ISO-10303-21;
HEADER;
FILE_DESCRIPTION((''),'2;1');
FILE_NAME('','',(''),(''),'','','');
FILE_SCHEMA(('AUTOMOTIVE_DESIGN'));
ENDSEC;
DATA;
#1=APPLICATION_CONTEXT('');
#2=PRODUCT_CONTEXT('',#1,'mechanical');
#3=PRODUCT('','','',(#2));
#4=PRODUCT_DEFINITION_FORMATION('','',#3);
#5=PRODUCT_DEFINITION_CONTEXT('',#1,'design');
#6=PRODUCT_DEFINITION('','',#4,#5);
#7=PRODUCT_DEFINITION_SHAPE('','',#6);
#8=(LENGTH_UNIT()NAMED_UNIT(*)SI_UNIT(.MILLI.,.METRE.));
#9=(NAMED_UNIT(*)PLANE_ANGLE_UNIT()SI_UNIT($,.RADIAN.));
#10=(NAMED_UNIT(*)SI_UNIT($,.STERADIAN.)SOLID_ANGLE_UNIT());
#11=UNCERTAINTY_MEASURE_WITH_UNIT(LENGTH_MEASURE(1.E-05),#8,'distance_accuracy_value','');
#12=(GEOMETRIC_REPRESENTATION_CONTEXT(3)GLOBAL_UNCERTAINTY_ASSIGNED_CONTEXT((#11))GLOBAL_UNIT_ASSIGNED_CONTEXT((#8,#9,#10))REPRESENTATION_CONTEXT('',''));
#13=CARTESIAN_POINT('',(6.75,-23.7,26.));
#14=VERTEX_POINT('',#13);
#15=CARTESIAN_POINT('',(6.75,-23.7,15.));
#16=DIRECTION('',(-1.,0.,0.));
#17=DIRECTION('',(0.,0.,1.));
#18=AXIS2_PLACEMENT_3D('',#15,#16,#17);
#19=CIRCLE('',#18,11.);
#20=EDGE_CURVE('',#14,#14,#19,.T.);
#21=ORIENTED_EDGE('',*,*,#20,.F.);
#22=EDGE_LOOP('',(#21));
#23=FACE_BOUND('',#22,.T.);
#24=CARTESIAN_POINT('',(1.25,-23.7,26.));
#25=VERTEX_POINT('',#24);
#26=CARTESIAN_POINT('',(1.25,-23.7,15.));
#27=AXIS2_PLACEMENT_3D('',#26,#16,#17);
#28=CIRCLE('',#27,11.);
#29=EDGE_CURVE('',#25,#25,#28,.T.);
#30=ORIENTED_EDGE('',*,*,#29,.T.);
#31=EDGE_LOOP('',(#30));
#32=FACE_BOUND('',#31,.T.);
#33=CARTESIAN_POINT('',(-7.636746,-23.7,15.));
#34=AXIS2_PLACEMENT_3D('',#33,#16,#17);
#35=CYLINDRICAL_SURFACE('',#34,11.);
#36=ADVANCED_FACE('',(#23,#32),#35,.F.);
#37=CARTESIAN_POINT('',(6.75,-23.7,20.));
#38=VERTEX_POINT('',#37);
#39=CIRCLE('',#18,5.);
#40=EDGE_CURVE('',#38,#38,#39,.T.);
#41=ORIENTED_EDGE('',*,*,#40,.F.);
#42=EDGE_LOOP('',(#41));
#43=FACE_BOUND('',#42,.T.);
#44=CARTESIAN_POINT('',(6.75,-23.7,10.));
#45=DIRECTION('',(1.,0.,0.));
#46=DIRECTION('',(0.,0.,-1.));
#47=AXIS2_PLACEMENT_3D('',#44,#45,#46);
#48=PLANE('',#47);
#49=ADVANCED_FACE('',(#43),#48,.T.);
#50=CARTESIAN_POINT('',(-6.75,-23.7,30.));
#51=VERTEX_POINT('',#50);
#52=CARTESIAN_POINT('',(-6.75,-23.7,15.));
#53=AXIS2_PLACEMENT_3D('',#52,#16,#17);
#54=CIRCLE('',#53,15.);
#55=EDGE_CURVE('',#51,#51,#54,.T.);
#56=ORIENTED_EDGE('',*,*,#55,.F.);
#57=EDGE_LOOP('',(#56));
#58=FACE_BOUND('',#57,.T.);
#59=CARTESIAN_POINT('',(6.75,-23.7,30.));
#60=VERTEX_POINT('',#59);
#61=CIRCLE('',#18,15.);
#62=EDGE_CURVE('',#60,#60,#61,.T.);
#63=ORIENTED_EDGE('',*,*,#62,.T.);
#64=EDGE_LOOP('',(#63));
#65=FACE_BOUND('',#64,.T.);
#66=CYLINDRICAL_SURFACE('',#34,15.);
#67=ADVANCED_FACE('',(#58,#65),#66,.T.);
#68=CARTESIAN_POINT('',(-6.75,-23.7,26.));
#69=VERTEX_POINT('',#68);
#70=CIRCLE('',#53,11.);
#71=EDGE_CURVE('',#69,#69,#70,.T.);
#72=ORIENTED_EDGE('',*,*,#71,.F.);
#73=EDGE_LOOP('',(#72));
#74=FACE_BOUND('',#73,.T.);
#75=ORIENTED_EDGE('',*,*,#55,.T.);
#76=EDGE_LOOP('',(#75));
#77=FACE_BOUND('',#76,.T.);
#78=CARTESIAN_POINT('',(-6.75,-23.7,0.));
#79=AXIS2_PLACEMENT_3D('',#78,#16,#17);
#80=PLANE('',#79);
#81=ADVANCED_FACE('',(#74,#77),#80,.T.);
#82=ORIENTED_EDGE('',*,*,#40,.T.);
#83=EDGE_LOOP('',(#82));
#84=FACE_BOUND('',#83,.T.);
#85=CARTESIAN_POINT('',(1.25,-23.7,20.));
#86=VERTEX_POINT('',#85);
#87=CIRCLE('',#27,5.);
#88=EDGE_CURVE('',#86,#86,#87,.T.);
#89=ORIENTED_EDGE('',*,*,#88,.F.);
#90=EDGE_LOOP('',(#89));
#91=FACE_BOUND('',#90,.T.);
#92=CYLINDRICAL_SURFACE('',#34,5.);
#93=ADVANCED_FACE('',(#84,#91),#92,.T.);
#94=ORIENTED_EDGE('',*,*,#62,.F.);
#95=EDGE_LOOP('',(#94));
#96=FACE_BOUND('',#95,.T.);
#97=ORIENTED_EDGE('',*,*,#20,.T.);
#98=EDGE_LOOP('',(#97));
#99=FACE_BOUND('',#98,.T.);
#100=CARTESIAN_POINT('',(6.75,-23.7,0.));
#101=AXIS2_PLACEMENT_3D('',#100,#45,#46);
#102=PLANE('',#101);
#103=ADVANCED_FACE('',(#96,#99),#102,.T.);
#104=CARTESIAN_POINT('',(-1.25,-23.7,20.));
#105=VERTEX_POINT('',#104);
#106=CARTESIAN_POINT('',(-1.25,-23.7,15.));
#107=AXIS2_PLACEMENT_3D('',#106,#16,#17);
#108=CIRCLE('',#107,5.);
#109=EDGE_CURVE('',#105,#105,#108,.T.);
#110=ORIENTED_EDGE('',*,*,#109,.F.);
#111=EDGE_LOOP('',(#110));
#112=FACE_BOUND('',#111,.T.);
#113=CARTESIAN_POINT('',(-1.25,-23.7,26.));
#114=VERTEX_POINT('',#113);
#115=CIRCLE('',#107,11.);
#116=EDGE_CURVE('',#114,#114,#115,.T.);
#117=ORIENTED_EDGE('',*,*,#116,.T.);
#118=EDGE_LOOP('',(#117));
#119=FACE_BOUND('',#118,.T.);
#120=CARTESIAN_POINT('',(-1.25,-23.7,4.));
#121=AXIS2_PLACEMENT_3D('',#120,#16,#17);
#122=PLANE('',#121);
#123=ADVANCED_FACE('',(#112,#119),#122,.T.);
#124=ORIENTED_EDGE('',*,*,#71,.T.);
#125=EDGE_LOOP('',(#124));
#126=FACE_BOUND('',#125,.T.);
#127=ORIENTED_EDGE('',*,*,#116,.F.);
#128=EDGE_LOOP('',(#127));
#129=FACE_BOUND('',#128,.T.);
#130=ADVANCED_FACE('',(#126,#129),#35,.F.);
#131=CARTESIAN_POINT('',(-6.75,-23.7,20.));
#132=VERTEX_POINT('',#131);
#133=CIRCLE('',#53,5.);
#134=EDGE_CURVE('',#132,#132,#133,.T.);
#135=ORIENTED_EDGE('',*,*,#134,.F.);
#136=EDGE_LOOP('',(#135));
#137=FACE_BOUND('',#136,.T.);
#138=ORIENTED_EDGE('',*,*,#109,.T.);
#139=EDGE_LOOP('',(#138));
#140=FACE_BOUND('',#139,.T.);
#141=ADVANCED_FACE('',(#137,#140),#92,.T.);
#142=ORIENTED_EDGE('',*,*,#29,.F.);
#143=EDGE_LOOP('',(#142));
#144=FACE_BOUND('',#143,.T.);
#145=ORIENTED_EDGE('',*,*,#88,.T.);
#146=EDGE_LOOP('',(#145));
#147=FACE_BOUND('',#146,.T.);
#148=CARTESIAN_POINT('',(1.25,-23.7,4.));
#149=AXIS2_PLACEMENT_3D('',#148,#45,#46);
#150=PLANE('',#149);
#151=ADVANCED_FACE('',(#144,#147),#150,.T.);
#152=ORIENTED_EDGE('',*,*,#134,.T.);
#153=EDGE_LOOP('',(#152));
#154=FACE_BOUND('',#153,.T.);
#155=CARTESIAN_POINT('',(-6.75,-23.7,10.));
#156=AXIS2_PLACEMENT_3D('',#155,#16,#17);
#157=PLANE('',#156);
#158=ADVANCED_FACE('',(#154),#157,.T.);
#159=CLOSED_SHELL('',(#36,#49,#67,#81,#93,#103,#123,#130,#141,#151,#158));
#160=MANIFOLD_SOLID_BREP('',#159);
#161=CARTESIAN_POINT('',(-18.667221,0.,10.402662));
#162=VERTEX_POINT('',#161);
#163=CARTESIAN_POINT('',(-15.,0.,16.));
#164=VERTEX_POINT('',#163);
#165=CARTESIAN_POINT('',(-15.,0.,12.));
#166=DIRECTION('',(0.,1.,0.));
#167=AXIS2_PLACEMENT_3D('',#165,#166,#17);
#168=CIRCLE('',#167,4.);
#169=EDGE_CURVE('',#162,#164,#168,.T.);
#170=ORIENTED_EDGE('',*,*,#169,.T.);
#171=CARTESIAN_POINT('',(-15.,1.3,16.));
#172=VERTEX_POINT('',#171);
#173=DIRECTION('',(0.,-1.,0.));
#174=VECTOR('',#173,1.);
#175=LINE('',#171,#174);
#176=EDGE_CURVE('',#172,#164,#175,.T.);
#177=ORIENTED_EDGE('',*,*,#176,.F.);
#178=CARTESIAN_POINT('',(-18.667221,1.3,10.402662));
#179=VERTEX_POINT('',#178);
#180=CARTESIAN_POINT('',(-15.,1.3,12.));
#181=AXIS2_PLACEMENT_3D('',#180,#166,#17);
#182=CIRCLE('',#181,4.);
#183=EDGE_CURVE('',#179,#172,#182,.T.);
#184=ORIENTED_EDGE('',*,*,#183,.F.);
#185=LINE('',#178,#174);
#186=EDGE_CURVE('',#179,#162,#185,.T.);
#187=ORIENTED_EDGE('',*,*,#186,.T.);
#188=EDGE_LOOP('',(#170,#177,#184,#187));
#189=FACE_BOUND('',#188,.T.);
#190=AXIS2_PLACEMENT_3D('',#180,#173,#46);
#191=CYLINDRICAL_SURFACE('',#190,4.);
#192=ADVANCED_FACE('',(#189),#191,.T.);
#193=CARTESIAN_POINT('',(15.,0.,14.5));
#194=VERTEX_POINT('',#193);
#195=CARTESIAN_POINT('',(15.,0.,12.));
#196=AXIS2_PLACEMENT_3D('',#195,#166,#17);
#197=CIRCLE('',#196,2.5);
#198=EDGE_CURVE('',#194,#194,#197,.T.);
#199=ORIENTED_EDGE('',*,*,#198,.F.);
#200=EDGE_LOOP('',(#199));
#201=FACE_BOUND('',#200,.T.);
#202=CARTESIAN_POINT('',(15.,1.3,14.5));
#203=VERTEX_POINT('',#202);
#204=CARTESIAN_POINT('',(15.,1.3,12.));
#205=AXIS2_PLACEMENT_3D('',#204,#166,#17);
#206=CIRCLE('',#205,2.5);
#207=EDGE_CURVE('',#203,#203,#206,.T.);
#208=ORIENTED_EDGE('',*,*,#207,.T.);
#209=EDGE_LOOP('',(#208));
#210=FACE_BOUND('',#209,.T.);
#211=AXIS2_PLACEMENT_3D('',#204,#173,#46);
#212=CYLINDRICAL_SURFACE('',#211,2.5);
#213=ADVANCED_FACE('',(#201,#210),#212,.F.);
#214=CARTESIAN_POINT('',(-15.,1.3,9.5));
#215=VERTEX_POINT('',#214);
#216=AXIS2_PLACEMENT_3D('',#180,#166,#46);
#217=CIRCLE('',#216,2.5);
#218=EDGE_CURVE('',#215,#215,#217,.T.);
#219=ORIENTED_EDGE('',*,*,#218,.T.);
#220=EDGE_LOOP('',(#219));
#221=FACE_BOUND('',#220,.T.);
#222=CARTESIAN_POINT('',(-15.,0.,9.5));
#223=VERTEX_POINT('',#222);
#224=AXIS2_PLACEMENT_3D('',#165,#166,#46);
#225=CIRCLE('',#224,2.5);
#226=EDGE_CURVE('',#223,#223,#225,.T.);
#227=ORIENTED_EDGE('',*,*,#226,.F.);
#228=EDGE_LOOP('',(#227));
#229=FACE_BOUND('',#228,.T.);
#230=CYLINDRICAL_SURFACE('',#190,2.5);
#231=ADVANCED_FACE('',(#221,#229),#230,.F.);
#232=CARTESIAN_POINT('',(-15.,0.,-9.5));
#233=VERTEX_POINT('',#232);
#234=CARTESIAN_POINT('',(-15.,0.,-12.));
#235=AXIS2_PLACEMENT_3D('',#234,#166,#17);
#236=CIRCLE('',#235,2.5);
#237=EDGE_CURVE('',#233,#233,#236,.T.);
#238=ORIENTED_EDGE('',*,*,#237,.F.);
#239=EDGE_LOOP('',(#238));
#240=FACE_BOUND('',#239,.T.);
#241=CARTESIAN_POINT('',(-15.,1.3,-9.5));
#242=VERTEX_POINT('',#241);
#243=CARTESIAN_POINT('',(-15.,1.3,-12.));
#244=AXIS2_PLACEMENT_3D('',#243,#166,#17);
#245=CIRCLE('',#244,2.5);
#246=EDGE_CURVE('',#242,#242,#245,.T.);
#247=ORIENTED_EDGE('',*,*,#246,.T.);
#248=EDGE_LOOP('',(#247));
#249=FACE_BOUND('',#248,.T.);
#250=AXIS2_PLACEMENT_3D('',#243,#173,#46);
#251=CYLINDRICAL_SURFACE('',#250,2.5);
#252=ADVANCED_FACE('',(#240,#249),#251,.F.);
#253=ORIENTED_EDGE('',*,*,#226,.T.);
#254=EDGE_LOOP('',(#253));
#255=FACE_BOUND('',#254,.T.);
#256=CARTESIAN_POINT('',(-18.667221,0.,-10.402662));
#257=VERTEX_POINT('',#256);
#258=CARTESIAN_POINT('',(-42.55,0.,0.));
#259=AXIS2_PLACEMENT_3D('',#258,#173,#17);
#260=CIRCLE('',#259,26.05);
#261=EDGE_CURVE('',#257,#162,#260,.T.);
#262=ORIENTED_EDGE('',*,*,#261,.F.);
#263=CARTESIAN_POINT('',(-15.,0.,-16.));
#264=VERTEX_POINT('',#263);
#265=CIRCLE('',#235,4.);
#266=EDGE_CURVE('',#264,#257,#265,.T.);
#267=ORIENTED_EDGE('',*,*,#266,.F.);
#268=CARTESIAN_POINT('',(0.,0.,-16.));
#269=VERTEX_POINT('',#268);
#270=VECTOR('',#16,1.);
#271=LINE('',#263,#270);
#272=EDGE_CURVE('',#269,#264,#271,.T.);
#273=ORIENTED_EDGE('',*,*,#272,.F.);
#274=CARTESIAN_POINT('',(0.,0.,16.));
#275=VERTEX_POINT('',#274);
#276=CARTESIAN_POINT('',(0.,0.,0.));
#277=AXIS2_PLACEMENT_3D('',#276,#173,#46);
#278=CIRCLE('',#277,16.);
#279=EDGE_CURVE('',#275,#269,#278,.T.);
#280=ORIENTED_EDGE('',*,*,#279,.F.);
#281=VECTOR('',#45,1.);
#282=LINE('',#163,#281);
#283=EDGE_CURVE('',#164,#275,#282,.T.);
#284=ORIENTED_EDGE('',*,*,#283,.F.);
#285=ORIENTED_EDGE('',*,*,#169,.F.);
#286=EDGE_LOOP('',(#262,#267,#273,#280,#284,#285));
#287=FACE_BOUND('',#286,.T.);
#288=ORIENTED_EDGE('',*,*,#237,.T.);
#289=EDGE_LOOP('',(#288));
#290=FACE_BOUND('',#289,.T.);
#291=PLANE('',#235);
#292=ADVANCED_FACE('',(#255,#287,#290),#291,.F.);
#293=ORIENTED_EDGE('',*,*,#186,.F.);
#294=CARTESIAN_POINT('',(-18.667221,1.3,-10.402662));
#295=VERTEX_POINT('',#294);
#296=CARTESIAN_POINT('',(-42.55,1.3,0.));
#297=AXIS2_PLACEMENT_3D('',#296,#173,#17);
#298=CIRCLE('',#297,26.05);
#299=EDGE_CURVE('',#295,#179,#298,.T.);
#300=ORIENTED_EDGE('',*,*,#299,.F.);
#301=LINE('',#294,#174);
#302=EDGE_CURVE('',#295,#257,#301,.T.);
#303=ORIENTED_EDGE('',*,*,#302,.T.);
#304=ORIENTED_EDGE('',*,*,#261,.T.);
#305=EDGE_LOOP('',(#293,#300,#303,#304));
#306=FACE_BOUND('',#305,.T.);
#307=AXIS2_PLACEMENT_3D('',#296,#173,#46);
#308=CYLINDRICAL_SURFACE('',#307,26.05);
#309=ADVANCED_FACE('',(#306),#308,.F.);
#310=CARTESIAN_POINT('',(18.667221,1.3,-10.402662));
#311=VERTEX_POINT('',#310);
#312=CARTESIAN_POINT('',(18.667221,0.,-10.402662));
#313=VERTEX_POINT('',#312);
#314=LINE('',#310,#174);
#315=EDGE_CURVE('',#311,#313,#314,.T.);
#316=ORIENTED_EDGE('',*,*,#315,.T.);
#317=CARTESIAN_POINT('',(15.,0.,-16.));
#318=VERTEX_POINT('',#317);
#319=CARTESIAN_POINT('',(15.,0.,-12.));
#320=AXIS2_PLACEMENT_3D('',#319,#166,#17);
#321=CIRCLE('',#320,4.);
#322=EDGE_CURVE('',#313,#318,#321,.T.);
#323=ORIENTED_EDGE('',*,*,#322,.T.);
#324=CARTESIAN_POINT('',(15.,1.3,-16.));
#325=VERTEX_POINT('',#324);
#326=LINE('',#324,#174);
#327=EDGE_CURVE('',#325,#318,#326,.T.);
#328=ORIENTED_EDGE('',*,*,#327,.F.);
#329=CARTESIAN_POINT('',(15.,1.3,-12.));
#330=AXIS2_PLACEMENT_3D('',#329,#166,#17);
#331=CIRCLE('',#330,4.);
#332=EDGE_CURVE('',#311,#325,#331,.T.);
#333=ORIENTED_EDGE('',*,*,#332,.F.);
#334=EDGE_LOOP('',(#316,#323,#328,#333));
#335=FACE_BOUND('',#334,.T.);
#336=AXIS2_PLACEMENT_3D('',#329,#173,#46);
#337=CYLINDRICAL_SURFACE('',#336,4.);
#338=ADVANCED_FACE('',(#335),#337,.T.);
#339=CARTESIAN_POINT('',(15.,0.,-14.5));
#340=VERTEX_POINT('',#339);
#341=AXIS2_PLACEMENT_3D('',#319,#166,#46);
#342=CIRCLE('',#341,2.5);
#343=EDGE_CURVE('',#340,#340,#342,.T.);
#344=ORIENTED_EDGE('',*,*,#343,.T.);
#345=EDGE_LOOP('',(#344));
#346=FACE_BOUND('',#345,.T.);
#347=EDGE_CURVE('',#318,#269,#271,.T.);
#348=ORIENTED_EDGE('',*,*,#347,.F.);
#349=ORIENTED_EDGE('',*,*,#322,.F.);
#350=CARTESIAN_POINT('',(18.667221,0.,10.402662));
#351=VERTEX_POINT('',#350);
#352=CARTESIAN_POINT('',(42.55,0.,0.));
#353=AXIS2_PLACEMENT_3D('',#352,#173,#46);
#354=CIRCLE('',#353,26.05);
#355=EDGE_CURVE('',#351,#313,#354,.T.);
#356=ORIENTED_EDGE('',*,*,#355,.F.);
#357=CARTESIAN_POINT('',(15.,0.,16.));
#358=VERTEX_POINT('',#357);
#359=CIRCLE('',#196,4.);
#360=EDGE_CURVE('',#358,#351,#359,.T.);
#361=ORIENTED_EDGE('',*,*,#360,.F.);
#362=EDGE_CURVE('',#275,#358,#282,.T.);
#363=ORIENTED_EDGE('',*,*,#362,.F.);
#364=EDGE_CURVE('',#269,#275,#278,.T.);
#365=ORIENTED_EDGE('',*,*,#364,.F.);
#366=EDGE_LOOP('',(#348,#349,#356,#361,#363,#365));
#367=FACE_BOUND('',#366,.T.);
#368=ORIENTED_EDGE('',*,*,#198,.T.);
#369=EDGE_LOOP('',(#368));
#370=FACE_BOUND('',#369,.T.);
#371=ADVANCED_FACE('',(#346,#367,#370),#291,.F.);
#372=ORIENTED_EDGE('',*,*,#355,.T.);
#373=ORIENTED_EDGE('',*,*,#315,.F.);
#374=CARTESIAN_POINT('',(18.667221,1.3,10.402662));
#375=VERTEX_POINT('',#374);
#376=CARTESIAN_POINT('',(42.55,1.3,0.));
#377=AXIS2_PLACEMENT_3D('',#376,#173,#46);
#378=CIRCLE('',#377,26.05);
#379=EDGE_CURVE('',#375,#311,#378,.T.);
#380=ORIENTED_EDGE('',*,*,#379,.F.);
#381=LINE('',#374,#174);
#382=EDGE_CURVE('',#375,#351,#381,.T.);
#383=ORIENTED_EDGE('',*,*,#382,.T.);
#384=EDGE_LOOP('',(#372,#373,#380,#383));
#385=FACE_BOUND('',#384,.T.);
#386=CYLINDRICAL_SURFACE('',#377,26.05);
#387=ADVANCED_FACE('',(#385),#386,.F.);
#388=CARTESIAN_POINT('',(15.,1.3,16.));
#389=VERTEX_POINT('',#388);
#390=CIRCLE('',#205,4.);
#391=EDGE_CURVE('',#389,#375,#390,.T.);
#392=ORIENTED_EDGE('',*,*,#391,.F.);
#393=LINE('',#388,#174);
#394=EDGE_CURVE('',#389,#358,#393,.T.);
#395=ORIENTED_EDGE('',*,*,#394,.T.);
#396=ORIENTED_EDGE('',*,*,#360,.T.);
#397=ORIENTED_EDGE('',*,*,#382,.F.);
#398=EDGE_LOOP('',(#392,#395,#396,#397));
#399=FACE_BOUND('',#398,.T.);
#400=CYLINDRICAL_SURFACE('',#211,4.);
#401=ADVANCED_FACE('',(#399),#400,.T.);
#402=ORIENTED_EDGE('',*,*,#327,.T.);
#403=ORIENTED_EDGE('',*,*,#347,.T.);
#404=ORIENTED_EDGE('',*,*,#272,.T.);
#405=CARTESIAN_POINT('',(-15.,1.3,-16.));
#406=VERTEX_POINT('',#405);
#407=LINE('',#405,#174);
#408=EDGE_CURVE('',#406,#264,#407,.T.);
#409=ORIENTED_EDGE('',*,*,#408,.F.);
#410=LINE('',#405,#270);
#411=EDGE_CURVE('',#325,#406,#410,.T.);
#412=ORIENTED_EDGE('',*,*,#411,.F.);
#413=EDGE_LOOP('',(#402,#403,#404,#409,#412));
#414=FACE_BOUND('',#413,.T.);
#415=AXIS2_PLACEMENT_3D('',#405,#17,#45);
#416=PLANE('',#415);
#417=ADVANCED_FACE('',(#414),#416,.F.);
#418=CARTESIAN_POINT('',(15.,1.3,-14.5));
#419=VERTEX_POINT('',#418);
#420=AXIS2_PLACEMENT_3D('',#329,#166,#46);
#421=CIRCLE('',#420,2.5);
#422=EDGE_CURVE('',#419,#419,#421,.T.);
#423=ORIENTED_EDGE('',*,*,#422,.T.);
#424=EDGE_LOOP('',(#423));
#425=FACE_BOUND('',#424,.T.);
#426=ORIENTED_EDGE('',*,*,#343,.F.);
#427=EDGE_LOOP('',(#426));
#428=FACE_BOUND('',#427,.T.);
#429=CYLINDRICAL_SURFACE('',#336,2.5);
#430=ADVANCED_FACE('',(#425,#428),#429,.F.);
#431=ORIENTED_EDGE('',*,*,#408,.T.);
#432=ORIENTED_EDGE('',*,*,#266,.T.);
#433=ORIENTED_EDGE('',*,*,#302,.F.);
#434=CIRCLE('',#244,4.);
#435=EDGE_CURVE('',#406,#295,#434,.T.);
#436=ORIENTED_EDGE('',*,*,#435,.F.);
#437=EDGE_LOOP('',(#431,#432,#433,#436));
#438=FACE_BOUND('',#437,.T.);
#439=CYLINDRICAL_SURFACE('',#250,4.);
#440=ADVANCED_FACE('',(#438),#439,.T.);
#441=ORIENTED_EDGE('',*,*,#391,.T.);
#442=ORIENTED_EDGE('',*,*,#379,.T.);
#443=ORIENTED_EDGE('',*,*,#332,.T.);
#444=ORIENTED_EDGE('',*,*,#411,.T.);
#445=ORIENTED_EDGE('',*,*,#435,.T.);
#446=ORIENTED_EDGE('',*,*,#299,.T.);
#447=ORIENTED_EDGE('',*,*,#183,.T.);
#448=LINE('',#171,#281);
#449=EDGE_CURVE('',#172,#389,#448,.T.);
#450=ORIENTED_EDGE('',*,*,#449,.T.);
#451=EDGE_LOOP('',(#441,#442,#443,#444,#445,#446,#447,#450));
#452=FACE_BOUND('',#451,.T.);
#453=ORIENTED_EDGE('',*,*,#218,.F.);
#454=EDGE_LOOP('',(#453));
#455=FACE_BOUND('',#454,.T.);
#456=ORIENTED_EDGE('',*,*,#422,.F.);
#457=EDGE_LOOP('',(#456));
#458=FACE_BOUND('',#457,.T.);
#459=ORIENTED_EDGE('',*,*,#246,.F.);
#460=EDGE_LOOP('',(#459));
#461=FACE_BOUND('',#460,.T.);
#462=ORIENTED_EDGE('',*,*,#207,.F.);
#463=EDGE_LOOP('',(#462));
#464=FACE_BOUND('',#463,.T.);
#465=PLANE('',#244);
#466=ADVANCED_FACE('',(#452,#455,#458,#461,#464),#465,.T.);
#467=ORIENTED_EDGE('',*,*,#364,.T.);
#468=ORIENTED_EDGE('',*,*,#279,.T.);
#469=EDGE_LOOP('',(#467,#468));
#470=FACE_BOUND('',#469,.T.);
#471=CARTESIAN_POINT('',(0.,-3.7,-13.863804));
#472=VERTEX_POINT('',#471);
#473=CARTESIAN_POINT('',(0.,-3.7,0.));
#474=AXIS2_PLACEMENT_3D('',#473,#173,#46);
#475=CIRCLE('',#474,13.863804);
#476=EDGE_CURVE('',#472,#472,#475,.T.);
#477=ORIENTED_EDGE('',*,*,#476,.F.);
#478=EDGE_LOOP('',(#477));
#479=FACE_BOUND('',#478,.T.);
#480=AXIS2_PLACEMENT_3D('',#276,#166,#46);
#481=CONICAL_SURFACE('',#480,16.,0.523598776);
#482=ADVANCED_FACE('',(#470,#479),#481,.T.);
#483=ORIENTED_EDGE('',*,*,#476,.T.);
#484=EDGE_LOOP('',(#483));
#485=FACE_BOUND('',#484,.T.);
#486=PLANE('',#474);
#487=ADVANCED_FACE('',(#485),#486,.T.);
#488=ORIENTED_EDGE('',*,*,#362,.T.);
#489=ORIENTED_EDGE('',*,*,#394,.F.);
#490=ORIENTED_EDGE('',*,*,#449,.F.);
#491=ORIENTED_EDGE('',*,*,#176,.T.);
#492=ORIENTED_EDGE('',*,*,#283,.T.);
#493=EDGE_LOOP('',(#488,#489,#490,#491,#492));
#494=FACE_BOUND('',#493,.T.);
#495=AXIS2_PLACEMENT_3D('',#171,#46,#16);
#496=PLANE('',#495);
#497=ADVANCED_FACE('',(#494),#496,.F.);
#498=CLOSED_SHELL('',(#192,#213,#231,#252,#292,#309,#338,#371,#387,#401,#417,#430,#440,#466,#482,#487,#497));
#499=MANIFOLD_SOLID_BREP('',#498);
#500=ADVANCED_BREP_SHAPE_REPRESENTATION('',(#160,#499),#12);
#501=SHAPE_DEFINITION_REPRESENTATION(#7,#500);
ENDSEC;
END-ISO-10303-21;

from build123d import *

# Parameters (mm, degrees)
SKETCH1_R           = 2.5
BOSS_EXTRUDE1_DEPTH = 1.3
SKETCH2_R           = 16
BOSS_EXTRUDE2_DEPTH = 3.7
BOSS_EXTRUDE2_TAPER = 30


with BuildPart() as part:
    # Sketch1 → Boss-Extrude1 (new body)
    with BuildSketch(Plane(origin=(0, 0, 0), x_dir=(1, 0, 0), z_dir=(0, 1, 0))):
        with BuildLine():
            Line((-15, 16), (15, 16))
            ThreePointArc((15, 16), (18.345844518, 14.192105029), (18.667221298, 10.40266223))
            ThreePointArc((18.667221298, 10.40266223), (16.5, 0), (18.667221298, -10.40266223))
            ThreePointArc((18.667221298, -10.40266223), (18.345844518, -14.192105029), (15, -16))
            Line((15, -16), (-15, -16))
            ThreePointArc((-15, -16), (-18.345844518, -14.192105029), (-18.667221298, -10.40266223))
            ThreePointArc((-18.667221298, -10.40266223), (-16.5, 0), (-18.667221298, 10.40266223))
            ThreePointArc((-18.667221298, 10.40266223), (-18.345844518, 14.192105029), (-15, 16))
        make_face()
        with Locations(Location((-15, 12, 0), (0, 0, 270))):
            Circle(SKETCH1_R, mode=Mode.SUBTRACT)
        with Locations(Location((15, 12, 0), (0, 0, 90))):
            Circle(SKETCH1_R, mode=Mode.SUBTRACT)
        with Locations(Location((15, -12, 0), (0, 0, 270))):
            Circle(SKETCH1_R, mode=Mode.SUBTRACT)
        with Locations(Location((-15, -12, 0), (0, 0, 90))):
            Circle(SKETCH1_R, mode=Mode.SUBTRACT)
    extrude(amount=BOSS_EXTRUDE1_DEPTH)

    # Sketch2 → Boss-Extrude2 (add)
    with BuildSketch(Plane.XZ):
        Circle(SKETCH2_R)
    extrude(amount=BOSS_EXTRUDE2_DEPTH, taper=BOSS_EXTRUDE2_TAPER)


with BuildPart() as body_2:
    # Sketch4 → Revolve1 (revolve)
    with BuildSketch(Plane(origin=(0, -23.7, 0), x_dir=(-1, 0, 0), z_dir=(0, -1, 0)), mode=Mode.PRIVATE) as revolve1_sk:
        Polygon((6.75, 0), (6.75, -4), (1.25, -4), (1.25, -10), (6.75, -10), (6.75, -15), (-6.75, -15), (-6.75, -10), (-1.25, -10), (-1.25, -4), (-6.75, -4), (-6.75, 0), align=None)
    revolve(revolve1_sk.sketch.rotate(Axis((-7.63674602, -23.7, 15), (1, 0, 0)), 180), axis=Axis((-7.63674602, -23.7, 15), (1, 0, 0)))


solid = Compound([part.part, body_2.part])
